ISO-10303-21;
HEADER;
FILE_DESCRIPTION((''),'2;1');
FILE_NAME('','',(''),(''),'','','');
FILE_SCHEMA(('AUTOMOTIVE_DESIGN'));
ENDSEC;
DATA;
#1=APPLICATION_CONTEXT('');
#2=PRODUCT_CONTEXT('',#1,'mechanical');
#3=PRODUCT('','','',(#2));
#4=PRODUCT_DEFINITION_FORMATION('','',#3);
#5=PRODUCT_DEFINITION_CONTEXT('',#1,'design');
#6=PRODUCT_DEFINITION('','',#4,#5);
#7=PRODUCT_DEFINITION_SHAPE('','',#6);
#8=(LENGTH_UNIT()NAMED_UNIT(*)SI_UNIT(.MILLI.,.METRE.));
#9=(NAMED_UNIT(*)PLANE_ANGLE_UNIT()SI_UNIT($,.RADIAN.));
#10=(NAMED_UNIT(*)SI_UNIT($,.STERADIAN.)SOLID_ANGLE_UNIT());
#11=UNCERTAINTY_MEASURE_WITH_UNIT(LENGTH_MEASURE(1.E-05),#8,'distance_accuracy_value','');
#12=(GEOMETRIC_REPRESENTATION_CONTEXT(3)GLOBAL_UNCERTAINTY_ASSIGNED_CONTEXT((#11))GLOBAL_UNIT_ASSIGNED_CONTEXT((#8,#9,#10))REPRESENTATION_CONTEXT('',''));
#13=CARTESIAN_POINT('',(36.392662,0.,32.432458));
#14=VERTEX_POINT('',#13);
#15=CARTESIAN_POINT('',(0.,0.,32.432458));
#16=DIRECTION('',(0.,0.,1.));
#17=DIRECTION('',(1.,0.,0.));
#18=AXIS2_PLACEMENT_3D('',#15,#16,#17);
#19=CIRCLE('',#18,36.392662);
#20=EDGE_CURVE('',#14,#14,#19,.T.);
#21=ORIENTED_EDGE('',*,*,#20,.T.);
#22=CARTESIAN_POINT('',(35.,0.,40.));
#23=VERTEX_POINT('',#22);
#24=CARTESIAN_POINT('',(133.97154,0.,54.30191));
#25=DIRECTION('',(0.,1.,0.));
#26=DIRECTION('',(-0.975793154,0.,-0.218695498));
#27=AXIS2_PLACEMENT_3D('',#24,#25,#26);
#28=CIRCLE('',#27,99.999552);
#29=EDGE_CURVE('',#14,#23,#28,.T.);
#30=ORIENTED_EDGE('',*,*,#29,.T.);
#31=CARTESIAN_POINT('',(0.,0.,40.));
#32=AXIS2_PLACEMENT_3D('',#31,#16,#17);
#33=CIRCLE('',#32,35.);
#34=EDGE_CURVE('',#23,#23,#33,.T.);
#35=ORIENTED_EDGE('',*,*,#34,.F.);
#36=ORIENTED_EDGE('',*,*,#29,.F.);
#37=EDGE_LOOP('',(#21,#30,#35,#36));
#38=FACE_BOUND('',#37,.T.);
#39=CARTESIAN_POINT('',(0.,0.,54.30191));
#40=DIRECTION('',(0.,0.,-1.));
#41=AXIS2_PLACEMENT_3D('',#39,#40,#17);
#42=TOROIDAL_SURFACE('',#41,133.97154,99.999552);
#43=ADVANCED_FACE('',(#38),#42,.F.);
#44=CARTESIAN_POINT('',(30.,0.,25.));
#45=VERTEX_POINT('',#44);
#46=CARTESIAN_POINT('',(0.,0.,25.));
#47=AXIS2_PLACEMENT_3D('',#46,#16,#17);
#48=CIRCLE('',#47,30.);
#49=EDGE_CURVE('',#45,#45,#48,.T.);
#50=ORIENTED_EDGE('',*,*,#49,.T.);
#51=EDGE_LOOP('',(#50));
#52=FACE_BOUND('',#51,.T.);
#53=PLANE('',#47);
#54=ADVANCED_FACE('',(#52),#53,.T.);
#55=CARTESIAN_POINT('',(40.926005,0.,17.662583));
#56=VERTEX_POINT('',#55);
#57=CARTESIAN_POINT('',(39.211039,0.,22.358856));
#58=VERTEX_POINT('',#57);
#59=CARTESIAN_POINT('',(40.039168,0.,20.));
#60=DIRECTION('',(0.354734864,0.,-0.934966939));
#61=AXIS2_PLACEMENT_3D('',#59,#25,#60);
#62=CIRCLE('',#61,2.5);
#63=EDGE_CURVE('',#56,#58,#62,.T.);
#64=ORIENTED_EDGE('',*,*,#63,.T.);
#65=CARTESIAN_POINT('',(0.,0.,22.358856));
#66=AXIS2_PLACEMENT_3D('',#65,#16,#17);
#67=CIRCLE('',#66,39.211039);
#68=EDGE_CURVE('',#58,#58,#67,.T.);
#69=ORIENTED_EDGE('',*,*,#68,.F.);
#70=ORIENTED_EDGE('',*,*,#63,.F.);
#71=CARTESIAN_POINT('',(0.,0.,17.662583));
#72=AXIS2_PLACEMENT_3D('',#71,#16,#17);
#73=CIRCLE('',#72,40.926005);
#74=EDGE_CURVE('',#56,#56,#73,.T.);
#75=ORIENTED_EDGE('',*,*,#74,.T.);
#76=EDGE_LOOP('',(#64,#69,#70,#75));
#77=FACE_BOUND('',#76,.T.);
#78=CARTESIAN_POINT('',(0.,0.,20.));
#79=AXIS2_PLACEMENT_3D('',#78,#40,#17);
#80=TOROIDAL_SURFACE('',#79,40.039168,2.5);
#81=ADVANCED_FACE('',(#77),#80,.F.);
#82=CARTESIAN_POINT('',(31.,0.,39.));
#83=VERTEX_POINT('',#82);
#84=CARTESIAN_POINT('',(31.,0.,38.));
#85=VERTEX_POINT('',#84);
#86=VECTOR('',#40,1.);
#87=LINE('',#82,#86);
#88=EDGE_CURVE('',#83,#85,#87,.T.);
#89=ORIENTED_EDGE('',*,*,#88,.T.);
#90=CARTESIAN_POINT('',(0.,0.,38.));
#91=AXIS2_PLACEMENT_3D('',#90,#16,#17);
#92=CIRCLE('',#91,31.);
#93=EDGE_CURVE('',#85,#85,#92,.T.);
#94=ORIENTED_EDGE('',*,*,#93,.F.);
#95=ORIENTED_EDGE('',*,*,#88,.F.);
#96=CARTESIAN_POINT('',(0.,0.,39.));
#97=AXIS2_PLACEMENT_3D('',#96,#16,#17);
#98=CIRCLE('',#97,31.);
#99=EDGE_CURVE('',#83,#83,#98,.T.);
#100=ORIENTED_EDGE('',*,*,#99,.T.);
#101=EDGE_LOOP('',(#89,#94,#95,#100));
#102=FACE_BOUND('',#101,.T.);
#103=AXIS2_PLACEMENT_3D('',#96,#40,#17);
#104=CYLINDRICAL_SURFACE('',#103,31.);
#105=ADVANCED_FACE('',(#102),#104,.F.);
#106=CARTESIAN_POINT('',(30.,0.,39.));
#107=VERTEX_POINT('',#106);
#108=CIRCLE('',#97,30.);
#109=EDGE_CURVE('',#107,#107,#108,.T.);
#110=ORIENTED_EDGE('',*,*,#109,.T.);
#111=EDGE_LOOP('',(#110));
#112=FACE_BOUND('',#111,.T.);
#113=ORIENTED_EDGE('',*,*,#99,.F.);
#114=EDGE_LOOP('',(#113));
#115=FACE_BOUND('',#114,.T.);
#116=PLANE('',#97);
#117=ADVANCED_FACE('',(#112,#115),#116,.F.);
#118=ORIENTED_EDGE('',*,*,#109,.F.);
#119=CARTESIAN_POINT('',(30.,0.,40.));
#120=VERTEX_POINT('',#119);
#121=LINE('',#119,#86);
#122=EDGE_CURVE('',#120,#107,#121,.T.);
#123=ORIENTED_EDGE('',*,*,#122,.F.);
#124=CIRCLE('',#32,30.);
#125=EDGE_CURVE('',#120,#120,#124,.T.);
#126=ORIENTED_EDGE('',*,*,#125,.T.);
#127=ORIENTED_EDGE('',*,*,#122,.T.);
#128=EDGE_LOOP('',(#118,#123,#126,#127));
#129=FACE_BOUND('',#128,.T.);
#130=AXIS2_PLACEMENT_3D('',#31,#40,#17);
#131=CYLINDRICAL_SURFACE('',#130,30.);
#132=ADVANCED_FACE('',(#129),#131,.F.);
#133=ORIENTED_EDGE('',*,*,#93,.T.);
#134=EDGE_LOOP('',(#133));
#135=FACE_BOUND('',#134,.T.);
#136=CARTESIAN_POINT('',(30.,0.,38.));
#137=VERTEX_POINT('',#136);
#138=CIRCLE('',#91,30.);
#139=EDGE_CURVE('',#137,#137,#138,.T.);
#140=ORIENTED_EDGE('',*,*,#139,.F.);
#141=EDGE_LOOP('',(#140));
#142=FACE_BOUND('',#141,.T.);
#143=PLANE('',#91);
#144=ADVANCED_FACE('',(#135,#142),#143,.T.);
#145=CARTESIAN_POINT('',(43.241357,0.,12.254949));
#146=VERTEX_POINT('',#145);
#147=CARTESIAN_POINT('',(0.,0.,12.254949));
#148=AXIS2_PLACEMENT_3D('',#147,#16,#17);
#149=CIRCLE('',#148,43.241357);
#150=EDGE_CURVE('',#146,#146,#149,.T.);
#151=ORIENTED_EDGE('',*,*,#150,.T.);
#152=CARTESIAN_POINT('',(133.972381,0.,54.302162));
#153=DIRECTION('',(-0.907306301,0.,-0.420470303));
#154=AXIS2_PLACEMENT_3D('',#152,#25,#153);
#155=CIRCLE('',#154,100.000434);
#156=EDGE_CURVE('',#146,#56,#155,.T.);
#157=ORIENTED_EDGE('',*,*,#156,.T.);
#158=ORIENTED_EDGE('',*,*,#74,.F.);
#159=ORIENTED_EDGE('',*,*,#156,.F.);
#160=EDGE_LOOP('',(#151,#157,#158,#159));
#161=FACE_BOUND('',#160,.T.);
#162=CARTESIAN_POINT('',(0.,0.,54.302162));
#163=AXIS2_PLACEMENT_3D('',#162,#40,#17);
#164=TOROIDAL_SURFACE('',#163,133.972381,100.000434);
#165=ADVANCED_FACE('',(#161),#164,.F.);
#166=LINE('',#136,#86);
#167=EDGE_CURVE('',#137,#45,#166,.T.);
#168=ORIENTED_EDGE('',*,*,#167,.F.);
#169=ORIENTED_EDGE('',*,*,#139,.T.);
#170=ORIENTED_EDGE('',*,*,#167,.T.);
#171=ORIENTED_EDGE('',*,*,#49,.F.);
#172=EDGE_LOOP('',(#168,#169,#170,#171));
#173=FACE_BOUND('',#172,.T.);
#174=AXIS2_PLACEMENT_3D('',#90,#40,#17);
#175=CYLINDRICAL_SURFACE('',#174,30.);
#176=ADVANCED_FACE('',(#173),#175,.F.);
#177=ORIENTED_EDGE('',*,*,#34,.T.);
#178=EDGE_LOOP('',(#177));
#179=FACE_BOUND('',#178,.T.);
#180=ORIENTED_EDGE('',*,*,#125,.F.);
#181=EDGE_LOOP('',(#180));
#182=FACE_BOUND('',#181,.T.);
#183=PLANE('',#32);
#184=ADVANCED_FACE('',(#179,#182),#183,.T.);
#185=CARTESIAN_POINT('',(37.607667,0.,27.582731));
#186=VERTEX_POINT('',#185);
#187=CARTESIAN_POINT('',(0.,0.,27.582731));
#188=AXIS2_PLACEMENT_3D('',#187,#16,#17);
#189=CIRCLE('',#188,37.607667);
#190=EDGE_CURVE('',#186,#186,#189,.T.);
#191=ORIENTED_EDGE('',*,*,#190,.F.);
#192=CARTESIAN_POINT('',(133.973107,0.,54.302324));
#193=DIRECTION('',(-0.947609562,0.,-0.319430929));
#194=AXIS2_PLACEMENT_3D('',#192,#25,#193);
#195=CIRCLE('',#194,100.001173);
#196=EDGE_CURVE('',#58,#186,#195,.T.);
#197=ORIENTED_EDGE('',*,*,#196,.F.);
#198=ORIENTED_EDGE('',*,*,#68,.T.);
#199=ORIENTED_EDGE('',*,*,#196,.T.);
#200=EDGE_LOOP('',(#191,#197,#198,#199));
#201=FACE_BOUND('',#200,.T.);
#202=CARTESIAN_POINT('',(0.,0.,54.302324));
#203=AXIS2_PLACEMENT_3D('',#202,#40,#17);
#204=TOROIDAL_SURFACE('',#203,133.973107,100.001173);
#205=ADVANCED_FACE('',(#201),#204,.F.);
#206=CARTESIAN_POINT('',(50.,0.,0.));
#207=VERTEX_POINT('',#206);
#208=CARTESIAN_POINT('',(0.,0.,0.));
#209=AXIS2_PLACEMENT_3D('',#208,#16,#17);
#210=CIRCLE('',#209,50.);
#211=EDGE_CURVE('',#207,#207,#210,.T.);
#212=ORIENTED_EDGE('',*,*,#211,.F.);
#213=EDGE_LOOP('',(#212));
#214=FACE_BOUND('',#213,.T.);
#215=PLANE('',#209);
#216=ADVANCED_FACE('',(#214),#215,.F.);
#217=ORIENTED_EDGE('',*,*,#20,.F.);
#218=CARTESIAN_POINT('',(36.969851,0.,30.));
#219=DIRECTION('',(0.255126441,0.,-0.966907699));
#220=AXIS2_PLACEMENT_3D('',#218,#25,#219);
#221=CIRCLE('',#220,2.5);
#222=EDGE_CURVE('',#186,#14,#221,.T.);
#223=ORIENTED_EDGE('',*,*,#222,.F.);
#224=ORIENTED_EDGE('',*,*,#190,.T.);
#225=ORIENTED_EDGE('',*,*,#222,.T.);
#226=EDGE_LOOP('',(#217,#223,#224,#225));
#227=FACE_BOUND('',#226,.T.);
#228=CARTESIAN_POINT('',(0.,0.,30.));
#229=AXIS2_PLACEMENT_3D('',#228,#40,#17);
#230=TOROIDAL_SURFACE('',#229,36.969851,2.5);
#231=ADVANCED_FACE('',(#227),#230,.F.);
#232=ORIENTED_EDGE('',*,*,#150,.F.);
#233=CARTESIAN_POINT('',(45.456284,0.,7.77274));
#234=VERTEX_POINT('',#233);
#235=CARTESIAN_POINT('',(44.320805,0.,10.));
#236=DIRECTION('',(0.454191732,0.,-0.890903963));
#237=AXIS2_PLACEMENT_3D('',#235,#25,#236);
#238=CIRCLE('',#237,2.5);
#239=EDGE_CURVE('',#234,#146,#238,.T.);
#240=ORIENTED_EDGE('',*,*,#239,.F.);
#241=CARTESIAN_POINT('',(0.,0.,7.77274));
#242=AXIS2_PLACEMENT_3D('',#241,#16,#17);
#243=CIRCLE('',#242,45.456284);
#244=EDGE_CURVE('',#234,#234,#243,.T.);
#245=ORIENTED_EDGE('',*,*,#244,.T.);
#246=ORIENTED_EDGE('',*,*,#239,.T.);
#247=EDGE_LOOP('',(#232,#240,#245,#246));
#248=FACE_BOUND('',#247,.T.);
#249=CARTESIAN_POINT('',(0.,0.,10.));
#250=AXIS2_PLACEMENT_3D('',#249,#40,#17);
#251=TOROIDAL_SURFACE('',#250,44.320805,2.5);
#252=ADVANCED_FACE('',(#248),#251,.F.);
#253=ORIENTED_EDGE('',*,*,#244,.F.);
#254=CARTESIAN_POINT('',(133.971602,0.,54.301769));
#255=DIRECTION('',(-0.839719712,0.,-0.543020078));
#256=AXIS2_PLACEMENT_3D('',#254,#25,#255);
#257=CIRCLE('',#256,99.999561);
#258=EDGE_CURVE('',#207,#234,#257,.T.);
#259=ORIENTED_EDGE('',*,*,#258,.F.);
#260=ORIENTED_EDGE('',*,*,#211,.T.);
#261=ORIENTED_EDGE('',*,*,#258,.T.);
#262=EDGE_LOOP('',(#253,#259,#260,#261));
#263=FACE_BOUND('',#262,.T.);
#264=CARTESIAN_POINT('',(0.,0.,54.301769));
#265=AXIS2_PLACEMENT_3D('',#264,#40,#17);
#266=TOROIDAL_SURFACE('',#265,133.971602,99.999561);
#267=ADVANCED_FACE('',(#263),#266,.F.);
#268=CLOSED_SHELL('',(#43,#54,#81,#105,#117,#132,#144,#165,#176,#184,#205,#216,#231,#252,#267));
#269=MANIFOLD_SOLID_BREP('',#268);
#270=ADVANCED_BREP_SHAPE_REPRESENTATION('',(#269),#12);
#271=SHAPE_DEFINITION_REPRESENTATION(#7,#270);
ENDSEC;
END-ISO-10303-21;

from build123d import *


with BuildPart() as f1:
    # F0 (on Front) → F1 (revolve)
    with BuildSketch(Plane.XZ):
        with BuildLine():
            Line((0, 25), (0, 0))
            Line((0, 0), (50, 0))
            ThreePointArc((50, 0), (47.640621, 3.835208), (45.456284, 7.77274))
            ThreePointArc((45.456284, 7.77274), (42.079525, 8.89245), (43.241357, 12.254949))
            ThreePointArc((43.241357, 12.254949), (42.04391, 14.941737), (40.926005, 17.662583))
            ThreePointArc((40.926005, 17.662583), (37.690848, 19.14245), (39.211039, 22.358856))
            ThreePointArc((39.211039, 22.358856), (38.373665, 24.95984), (37.607667, 27.582731))
            ThreePointArc((37.607667, 27.582731), (34.544798, 29.39245), (36.392662, 32.432458))
            ThreePointArc((36.392662, 32.432458), (35.623517, 36.202829), (35, 40))
            Line((35, 40), (30, 40))
            Line((30, 40), (30, 39))
            Line((30, 39), (31, 39))
            Line((31, 39), (31, 38))
            Line((31, 38), (30, 38))
            Line((30, 38), (30, 25))
            Line((30, 25), (0, 25))
        make_face()
    revolve(axis=Axis((0, 0, 12.5), (0, 0, 1)))


solid = f1.part
